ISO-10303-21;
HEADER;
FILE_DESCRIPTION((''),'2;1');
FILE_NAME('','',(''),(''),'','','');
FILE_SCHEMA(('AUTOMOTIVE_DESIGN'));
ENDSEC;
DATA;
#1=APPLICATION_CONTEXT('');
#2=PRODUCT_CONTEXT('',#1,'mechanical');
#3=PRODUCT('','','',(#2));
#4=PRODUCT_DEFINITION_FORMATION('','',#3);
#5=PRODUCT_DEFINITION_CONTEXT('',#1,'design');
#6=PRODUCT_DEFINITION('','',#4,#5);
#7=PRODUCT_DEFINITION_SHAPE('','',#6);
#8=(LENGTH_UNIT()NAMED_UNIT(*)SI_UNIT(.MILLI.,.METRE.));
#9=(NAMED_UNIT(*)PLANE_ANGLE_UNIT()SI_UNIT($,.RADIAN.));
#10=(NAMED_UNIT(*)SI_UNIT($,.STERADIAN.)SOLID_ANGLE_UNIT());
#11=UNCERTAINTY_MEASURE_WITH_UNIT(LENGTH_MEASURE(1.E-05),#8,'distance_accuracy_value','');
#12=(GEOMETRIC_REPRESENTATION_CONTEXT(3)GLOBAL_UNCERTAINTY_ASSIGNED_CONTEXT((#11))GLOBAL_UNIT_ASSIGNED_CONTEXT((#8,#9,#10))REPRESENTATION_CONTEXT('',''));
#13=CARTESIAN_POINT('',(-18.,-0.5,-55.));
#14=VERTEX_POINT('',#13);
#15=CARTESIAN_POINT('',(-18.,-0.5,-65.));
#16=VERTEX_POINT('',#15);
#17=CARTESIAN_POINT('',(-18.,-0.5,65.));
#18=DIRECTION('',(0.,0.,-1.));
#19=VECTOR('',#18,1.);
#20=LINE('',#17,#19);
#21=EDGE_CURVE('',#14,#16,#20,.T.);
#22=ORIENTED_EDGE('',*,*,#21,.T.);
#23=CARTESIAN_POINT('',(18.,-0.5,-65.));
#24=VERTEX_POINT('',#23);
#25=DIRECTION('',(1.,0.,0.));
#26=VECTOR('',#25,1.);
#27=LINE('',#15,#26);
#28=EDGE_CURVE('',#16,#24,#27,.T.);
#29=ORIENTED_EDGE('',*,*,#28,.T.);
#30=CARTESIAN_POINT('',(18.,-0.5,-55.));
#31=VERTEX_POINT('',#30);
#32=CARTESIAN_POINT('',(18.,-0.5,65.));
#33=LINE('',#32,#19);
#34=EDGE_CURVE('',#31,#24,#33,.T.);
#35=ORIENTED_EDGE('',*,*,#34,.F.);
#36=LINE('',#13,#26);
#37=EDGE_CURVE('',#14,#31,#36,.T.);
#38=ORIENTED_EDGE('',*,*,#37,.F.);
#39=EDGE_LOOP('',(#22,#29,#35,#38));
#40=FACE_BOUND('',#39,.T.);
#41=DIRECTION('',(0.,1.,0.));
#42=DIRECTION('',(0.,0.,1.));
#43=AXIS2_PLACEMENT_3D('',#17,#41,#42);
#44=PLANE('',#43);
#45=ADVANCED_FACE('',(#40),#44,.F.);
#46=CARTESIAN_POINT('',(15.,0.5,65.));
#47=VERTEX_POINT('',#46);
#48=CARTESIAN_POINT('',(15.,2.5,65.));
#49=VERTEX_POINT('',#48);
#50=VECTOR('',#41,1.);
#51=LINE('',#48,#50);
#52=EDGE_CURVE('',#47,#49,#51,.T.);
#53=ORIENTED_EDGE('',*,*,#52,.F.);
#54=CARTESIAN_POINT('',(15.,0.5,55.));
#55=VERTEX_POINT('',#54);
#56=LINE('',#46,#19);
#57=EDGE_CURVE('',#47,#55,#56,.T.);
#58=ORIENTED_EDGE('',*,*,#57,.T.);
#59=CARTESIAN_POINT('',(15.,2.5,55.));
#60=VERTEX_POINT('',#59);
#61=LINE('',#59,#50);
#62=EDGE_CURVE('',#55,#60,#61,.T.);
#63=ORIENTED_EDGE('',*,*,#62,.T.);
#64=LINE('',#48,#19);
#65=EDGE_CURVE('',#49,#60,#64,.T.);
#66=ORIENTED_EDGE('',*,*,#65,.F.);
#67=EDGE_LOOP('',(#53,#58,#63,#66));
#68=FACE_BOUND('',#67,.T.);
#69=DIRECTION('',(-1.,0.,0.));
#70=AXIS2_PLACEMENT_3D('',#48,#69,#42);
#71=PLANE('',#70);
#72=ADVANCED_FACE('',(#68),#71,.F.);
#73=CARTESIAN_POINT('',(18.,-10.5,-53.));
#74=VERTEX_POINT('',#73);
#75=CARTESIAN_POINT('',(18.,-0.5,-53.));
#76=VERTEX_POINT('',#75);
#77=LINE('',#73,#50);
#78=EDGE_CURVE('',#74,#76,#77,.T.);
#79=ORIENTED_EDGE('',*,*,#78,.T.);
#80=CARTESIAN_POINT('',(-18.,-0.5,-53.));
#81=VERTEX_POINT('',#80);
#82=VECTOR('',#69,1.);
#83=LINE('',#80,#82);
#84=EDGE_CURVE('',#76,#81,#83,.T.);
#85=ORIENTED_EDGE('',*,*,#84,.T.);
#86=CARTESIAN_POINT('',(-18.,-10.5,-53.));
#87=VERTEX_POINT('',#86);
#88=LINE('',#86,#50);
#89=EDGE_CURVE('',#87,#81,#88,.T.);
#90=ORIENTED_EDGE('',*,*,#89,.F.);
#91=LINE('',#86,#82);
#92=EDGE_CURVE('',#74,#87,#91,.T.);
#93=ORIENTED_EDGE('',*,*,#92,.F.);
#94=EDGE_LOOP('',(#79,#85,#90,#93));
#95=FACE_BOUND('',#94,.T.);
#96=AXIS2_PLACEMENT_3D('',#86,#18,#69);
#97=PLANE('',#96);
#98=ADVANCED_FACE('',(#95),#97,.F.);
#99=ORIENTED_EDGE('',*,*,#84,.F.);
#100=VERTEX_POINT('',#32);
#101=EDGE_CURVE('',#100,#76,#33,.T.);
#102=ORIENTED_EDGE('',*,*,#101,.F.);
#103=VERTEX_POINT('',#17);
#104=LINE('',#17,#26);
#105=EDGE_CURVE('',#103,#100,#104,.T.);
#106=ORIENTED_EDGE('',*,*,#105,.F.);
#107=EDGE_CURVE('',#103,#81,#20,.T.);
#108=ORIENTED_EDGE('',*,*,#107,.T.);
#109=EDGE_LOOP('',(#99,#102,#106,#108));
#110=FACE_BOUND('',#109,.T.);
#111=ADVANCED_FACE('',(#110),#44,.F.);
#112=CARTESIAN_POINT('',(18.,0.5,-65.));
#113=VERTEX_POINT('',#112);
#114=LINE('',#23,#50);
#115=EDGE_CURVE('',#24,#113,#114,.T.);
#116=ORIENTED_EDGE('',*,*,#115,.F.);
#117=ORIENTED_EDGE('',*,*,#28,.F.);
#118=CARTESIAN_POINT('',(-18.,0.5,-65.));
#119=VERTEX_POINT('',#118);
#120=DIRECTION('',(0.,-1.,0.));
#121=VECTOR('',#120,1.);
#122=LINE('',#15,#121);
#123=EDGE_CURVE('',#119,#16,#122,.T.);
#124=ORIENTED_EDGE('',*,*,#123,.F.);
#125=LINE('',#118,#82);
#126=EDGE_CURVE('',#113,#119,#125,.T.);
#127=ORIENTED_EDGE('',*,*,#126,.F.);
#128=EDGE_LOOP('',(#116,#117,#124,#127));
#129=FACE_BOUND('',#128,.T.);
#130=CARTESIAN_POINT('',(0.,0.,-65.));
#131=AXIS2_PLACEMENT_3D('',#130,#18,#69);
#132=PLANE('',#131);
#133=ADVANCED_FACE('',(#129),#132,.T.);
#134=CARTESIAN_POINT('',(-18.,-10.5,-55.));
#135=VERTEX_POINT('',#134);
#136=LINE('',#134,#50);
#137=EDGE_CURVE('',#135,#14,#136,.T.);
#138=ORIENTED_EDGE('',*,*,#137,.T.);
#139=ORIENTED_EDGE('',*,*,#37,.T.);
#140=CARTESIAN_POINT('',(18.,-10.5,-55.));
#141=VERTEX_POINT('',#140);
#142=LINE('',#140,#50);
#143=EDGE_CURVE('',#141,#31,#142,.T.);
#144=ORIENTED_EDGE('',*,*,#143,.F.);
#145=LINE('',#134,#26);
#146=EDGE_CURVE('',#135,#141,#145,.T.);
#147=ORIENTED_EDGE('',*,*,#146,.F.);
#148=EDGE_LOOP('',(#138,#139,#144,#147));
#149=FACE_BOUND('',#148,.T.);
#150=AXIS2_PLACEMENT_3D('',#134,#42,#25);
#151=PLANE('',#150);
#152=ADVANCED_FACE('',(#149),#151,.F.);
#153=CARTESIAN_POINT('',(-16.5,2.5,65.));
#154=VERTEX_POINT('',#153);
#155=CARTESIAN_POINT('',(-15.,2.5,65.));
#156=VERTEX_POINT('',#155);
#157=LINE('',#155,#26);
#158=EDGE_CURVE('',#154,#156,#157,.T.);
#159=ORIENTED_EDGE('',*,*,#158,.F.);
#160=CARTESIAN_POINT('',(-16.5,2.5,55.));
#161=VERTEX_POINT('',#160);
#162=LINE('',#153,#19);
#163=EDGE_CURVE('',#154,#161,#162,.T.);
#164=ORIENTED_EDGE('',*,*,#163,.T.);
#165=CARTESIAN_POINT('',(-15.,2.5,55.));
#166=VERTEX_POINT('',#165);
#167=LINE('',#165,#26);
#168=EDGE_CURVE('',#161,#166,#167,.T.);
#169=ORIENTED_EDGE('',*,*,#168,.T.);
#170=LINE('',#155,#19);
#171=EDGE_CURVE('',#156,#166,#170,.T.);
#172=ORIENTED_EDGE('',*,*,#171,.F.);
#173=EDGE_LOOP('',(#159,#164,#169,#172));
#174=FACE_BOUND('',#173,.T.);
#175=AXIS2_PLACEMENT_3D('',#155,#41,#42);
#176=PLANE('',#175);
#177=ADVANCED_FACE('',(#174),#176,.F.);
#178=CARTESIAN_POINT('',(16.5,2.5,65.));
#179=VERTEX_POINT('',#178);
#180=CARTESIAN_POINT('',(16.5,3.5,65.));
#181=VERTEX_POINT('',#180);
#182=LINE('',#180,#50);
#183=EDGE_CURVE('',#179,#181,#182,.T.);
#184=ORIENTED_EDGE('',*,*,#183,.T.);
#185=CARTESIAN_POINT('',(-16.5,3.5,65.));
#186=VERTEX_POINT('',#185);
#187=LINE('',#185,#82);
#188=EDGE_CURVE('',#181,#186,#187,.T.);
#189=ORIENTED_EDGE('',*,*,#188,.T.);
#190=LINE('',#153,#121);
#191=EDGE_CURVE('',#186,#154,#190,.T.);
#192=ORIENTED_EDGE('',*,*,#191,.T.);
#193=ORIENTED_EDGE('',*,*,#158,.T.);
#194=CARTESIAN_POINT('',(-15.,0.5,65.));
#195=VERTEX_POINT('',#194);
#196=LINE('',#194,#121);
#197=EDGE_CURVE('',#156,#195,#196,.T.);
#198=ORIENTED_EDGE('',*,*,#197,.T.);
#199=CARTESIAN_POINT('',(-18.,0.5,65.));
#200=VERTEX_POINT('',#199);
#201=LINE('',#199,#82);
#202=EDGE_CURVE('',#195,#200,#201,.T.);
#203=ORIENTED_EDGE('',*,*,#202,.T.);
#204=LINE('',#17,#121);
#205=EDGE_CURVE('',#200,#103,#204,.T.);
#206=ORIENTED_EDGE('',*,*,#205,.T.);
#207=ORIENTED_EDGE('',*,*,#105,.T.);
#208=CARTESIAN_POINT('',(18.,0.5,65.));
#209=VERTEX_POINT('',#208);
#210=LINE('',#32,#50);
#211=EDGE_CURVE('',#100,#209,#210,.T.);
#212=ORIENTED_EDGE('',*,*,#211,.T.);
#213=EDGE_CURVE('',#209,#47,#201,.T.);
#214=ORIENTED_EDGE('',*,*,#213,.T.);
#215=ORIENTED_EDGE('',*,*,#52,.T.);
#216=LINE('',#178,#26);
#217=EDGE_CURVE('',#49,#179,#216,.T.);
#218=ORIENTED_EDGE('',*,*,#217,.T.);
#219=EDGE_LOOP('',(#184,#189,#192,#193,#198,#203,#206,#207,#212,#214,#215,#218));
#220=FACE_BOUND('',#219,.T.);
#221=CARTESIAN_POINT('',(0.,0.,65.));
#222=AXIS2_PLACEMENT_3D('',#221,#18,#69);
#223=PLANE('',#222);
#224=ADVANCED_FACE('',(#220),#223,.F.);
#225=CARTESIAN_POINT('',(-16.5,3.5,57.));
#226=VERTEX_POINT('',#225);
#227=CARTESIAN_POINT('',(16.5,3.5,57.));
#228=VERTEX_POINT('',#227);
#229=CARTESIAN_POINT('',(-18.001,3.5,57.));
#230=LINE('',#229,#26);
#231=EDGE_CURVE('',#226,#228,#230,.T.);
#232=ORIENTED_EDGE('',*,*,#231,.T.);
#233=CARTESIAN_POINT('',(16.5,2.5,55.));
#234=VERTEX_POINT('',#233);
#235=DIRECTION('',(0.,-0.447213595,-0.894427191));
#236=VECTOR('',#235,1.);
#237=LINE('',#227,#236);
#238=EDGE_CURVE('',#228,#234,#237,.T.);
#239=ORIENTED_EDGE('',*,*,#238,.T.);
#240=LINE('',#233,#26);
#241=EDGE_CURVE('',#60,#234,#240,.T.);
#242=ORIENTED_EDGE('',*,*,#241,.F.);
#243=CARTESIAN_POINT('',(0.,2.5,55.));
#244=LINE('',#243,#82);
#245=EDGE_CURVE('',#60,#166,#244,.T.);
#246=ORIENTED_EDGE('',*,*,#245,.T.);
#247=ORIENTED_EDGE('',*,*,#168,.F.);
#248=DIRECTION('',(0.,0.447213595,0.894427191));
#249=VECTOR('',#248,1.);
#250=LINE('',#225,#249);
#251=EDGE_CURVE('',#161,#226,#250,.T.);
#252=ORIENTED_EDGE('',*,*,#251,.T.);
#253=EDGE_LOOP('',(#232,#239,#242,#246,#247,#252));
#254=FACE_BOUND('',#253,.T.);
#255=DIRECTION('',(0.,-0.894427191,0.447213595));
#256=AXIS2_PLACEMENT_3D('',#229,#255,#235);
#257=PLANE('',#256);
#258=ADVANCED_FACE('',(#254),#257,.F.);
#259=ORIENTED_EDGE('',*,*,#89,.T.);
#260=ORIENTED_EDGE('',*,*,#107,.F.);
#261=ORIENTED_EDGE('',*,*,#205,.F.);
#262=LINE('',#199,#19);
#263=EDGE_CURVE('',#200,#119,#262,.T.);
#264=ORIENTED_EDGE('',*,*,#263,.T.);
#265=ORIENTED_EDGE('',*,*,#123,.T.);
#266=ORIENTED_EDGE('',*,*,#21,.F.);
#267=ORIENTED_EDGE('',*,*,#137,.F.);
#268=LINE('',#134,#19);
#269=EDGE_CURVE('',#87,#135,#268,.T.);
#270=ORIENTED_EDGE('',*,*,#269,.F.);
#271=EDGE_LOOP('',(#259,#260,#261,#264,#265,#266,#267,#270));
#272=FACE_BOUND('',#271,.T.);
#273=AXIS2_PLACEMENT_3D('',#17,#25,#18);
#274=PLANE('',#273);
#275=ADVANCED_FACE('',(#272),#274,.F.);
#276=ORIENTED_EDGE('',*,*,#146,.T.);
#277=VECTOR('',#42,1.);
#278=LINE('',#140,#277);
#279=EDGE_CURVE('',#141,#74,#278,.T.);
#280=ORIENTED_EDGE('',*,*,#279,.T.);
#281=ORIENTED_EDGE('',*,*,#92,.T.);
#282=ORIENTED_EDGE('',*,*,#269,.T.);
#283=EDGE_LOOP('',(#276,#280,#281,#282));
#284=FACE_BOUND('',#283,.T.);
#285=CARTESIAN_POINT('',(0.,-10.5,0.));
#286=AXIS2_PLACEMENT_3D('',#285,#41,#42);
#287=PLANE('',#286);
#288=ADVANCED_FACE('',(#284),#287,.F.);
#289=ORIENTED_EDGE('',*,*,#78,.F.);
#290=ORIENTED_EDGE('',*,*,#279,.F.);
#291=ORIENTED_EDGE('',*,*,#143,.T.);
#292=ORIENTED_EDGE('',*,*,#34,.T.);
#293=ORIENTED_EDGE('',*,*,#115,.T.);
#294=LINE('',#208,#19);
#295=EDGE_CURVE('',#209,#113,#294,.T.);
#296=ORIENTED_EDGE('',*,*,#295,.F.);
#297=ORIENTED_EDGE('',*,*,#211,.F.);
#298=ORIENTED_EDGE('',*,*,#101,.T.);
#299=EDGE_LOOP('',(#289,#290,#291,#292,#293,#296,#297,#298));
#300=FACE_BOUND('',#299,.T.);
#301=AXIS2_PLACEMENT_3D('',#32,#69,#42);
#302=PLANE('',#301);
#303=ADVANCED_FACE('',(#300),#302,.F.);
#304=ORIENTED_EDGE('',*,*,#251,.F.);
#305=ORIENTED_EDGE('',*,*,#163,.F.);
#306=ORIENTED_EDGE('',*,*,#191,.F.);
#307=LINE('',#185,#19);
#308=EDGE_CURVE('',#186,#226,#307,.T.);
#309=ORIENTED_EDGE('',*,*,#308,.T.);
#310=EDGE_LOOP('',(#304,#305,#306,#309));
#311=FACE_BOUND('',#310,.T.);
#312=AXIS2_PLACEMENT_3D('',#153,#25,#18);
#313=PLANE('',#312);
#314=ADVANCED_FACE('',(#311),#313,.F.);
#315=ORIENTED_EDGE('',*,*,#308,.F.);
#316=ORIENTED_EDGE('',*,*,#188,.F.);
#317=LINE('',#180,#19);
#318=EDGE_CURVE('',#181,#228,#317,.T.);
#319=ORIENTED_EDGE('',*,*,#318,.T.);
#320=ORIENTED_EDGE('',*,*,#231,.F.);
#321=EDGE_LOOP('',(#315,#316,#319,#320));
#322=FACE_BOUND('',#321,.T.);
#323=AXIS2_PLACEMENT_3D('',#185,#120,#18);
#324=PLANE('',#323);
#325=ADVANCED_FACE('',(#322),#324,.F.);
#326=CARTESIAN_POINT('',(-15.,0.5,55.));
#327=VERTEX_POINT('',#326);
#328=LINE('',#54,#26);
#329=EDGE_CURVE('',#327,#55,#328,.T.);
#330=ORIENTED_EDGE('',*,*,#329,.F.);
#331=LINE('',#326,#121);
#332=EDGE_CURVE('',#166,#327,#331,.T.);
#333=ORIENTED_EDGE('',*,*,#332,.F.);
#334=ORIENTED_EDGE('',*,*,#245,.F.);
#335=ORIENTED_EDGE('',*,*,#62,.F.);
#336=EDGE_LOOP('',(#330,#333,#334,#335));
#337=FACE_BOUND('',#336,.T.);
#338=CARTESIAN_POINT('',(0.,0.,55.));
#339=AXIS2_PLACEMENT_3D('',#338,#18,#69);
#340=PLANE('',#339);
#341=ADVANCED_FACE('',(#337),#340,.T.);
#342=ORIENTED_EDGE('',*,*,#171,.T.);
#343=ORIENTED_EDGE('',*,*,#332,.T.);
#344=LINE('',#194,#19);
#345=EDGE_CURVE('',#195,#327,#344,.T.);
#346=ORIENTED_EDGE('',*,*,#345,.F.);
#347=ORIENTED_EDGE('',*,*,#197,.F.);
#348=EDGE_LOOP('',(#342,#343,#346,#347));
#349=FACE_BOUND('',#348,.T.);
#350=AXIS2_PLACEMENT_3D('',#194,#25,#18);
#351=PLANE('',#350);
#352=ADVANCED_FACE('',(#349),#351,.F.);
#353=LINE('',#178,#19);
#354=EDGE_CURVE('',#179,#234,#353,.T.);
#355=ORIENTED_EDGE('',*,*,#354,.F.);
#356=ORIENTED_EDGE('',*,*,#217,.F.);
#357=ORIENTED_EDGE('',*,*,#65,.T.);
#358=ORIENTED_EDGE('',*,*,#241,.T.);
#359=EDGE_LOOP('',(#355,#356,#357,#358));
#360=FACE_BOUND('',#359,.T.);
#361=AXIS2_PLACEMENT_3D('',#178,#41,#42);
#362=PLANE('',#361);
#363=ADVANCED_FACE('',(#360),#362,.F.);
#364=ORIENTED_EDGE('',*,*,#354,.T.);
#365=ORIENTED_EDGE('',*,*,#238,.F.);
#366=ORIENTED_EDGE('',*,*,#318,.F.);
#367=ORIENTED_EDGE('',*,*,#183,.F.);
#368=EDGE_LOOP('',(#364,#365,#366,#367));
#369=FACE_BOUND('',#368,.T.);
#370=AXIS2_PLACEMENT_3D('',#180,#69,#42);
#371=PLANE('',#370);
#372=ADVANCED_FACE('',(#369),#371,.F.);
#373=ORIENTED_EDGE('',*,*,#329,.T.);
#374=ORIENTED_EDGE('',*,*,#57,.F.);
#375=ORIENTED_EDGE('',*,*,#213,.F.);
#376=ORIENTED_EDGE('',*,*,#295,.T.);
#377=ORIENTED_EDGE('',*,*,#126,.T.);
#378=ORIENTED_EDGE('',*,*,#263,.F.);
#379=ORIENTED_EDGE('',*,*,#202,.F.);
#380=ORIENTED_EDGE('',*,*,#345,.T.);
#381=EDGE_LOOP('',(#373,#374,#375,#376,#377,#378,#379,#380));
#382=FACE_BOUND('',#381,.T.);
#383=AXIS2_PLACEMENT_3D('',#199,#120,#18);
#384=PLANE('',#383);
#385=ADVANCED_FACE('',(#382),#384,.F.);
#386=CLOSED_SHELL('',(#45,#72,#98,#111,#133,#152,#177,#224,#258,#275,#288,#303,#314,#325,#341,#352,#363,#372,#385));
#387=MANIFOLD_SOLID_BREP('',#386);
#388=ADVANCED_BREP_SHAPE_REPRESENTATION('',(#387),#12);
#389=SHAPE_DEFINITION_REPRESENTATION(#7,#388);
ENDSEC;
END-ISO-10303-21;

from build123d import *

# Parameters (mm, degrees)
SKETCH1_W           = 36
SKETCH1_H           = 1
BOSS_EXTRUDE1_DEPTH = 65
BOSS_EXTRUDE2_DEPTH = 5
SKETCH3_W           = 36
SKETCH3_H           = 2
BOSS_EXTRUDE3_DEPTH = 10
CUT_EXTRUDE1_REACH  = 76.334


with BuildPart() as part:
    # Sketch1 → Boss-Extrude1 (new, symmetric)
    with BuildSketch(Plane.XY):
        Rectangle(SKETCH1_W, SKETCH1_H)
    extrude(amount=BOSS_EXTRUDE1_DEPTH, both=True)

    # Sketch2 → Boss-Extrude2 (add, symmetric)
    with BuildSketch(Plane.XY.offset(60)):
        Polygon((-15, 0.5), (-15, 2.5), (-16.5, 2.5), (-16.5, 3.5), (16.5, 3.5), (16.5, 2.5), (15, 2.5), (15, 0.5), align=None)
    extrude(amount=BOSS_EXTRUDE2_DEPTH, both=True)

    # Sketch3 → Boss-Extrude3 (add)
    with BuildSketch(Plane.XZ.offset(0.5)):
        with Locations((0, -54)):
            Rectangle(SKETCH3_W, SKETCH3_H)
    extrude(amount=BOSS_EXTRUDE3_DEPTH)

    # Sketch4 → Cut-Extrude1 (cut, up to next)
    with BuildSketch(Plane(origin=(16.5, 0, 0), x_dir=(0, 0, -1), z_dir=(1, 0, 0)), mode=Mode.PRIVATE) as cut_extrude1_sk1:
        Polygon((-57, 3.5), (-55, 2.5), (-55, 3.5), align=None)
    cut_extrude1_tool1 = extrude(cut_extrude1_sk1.sketch, amount=-CUT_EXTRUDE1_REACH, mode=Mode.PRIVATE) & part.part
    add(cut_extrude1_tool1.solids().sort_by_distance((16.5, 3.166667, 55.666667))[0], mode=Mode.SUBTRACT)


solid = part.part
